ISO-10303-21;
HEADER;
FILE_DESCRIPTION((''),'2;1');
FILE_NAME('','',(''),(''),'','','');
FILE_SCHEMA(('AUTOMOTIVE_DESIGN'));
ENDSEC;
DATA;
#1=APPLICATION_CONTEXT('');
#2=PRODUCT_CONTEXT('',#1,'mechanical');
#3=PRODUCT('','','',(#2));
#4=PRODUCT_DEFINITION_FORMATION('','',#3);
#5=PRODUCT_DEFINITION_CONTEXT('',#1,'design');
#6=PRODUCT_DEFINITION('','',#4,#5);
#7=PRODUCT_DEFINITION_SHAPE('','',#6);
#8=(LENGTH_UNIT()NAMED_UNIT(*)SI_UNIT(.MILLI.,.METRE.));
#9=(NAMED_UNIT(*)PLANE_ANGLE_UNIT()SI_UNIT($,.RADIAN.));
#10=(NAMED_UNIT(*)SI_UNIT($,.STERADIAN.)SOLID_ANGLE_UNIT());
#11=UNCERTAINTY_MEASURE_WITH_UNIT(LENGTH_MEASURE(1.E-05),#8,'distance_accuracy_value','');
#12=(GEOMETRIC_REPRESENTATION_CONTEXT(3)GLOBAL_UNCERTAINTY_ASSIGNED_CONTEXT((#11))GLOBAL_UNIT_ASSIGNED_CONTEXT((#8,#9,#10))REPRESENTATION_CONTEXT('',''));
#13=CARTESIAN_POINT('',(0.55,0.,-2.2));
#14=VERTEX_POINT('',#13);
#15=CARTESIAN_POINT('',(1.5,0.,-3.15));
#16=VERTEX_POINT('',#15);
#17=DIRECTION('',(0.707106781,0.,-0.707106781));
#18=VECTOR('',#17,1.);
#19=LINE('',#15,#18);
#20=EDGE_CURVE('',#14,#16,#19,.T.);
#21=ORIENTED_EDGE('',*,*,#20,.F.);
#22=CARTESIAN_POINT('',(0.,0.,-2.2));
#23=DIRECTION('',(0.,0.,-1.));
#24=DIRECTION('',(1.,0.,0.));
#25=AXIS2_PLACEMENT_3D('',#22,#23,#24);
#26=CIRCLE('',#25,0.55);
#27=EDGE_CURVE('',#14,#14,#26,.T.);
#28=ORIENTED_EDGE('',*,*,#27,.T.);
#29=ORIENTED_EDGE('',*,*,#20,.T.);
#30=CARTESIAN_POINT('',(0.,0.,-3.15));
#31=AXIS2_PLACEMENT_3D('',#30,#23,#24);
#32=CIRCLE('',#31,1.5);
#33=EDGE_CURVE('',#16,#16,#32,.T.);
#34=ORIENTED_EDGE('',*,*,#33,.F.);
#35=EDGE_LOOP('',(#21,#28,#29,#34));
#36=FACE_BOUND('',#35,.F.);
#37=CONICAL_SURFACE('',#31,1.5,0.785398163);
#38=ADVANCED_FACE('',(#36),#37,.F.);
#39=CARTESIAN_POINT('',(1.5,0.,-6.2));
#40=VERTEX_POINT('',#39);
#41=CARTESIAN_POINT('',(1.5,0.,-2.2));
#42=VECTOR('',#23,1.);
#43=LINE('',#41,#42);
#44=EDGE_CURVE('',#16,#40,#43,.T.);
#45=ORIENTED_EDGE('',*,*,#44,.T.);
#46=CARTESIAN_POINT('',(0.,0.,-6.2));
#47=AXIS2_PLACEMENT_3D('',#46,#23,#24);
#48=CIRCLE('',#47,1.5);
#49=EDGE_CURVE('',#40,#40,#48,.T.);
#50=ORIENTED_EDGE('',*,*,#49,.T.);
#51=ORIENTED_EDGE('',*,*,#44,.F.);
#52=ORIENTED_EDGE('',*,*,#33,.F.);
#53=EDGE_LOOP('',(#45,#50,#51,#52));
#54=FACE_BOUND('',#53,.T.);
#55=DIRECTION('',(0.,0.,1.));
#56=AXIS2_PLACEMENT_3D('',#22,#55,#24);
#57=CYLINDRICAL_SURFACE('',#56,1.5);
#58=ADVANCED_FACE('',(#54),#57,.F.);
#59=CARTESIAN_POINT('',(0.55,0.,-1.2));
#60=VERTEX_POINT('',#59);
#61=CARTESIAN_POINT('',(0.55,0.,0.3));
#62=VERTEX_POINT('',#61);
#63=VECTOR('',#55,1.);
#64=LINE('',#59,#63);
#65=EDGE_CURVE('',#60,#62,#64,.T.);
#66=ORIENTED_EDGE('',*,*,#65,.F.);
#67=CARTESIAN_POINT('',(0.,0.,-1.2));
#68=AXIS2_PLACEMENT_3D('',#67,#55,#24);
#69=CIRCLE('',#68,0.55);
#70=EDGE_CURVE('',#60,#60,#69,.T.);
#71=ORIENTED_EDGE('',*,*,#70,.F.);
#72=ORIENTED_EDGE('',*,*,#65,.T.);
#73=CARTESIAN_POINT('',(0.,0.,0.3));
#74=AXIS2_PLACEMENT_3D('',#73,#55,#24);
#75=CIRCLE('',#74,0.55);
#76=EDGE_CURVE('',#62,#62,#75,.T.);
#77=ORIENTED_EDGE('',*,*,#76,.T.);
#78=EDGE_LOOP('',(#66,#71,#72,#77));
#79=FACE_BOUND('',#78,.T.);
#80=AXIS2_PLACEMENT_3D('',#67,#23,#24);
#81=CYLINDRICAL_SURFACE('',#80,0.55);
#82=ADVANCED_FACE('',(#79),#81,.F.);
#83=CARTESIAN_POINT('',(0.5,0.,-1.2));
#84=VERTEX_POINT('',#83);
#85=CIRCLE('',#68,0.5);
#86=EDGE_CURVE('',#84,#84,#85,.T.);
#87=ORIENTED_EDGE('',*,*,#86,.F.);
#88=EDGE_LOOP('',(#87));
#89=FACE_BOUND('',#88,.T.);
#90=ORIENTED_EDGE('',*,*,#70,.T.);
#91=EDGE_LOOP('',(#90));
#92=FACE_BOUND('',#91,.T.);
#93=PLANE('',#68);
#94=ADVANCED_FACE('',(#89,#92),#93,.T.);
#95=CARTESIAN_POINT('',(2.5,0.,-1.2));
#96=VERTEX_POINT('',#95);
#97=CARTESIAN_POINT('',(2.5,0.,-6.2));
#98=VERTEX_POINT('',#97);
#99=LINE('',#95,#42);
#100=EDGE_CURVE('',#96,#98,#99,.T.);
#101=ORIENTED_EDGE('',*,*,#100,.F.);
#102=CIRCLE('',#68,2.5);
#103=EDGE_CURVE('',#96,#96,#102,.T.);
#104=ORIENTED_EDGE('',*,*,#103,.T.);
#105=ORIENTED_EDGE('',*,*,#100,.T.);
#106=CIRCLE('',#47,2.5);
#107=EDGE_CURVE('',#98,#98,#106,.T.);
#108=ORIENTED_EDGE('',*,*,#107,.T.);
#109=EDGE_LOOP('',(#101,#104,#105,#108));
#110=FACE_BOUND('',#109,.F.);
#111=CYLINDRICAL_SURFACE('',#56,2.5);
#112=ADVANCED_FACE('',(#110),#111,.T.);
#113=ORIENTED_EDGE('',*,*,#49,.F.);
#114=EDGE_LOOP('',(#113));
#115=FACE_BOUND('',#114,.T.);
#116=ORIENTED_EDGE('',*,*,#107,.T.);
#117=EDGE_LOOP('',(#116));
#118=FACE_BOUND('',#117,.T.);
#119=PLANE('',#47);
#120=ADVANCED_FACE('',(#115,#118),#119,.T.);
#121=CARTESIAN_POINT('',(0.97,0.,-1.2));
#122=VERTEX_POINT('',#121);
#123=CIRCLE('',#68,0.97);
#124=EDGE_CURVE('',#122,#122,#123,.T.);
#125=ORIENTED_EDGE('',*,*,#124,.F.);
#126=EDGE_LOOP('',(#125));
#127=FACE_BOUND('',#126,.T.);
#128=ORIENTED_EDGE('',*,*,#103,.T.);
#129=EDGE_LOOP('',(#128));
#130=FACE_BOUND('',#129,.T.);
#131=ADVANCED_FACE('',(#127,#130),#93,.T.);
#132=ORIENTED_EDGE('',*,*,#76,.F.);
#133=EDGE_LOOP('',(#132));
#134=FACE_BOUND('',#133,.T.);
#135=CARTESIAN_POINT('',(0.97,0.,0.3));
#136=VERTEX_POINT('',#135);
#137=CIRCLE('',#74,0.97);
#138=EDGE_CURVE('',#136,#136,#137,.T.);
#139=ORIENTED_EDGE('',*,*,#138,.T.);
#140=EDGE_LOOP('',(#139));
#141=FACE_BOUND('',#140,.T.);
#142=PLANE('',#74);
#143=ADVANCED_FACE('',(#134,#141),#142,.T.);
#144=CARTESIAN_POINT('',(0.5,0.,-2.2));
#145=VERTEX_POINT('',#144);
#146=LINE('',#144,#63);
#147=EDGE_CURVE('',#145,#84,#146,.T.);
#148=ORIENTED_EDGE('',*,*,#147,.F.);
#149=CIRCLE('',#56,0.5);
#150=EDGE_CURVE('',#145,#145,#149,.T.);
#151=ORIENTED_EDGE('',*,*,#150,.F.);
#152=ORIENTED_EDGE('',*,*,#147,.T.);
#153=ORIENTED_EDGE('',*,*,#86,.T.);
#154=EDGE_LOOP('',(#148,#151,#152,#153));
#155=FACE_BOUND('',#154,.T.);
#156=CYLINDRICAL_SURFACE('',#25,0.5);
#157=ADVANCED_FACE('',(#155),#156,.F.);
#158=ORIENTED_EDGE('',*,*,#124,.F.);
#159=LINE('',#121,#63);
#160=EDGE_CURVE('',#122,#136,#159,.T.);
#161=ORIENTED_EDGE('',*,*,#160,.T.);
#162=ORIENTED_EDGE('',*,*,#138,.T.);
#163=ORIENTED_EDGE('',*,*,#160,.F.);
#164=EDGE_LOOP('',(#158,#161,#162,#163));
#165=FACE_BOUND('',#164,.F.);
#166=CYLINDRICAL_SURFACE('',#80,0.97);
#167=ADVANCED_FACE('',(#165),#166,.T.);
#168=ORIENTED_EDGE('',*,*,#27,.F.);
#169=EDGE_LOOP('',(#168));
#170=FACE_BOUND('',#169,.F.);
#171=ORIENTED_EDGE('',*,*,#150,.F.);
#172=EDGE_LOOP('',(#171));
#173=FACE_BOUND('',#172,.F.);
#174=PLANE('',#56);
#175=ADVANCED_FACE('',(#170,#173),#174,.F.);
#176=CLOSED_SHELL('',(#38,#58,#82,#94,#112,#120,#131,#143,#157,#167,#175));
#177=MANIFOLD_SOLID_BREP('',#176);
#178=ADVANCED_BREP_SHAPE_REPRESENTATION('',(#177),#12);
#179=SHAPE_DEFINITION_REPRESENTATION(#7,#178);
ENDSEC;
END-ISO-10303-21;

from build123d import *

# Parameters (mm, degrees)
SKETCH283_R     = 2.5
SKETCH283_R_2   = 0.5
PAD192_DEPTH    = 1
SKETCH277_R     = 0.97
SKETCH277_R_2   = 0.55
PAD187_DEPTH    = 1.5
SKETCH309_R     = 2.5
SKETCH309_R_2   = 1.5
PAD214_DEPTH    = 4
CHAMFER006_SIZE = 0.95


with BuildPart() as part:
    # Sketch283 → Pad192 (new body)
    with BuildSketch(Plane.XY):
        Circle(SKETCH283_R)
        Circle(SKETCH283_R_2, mode=Mode.SUBTRACT)
    extrude(amount=PAD192_DEPTH)

    # Sketch277 (on Face4 of Pad192) → Pad187 (join)
    with BuildSketch(Plane.XY.offset(1)):
        Circle(SKETCH277_R)
        Circle(SKETCH277_R_2, mode=Mode.SUBTRACT)
    extrude(amount=PAD187_DEPTH)

    # Sketch309 (on Face2 of Pad187) → Pad214 (join)
    with BuildSketch(Plane(origin=(0, 0, 0), x_dir=(1, 0, 0), z_dir=(0, 0, -1))):
        Circle(SKETCH309_R)
        Circle(SKETCH309_R_2, mode=Mode.SUBTRACT)
    extrude(amount=PAD214_DEPTH)

    # Chamfer006
    chamfer006_edges = [part.edges().sort_by_distance(p)[0] for p in [
        (-1.5, 0, 0),
    ]]
    chamfer(chamfer006_edges, length=CHAMFER006_SIZE)


with BuildPart() as part_1:
    # Body056 placement: moved
    add(part.part.moved(Location((0, 0, -2.2))))


solid = part_1.part
